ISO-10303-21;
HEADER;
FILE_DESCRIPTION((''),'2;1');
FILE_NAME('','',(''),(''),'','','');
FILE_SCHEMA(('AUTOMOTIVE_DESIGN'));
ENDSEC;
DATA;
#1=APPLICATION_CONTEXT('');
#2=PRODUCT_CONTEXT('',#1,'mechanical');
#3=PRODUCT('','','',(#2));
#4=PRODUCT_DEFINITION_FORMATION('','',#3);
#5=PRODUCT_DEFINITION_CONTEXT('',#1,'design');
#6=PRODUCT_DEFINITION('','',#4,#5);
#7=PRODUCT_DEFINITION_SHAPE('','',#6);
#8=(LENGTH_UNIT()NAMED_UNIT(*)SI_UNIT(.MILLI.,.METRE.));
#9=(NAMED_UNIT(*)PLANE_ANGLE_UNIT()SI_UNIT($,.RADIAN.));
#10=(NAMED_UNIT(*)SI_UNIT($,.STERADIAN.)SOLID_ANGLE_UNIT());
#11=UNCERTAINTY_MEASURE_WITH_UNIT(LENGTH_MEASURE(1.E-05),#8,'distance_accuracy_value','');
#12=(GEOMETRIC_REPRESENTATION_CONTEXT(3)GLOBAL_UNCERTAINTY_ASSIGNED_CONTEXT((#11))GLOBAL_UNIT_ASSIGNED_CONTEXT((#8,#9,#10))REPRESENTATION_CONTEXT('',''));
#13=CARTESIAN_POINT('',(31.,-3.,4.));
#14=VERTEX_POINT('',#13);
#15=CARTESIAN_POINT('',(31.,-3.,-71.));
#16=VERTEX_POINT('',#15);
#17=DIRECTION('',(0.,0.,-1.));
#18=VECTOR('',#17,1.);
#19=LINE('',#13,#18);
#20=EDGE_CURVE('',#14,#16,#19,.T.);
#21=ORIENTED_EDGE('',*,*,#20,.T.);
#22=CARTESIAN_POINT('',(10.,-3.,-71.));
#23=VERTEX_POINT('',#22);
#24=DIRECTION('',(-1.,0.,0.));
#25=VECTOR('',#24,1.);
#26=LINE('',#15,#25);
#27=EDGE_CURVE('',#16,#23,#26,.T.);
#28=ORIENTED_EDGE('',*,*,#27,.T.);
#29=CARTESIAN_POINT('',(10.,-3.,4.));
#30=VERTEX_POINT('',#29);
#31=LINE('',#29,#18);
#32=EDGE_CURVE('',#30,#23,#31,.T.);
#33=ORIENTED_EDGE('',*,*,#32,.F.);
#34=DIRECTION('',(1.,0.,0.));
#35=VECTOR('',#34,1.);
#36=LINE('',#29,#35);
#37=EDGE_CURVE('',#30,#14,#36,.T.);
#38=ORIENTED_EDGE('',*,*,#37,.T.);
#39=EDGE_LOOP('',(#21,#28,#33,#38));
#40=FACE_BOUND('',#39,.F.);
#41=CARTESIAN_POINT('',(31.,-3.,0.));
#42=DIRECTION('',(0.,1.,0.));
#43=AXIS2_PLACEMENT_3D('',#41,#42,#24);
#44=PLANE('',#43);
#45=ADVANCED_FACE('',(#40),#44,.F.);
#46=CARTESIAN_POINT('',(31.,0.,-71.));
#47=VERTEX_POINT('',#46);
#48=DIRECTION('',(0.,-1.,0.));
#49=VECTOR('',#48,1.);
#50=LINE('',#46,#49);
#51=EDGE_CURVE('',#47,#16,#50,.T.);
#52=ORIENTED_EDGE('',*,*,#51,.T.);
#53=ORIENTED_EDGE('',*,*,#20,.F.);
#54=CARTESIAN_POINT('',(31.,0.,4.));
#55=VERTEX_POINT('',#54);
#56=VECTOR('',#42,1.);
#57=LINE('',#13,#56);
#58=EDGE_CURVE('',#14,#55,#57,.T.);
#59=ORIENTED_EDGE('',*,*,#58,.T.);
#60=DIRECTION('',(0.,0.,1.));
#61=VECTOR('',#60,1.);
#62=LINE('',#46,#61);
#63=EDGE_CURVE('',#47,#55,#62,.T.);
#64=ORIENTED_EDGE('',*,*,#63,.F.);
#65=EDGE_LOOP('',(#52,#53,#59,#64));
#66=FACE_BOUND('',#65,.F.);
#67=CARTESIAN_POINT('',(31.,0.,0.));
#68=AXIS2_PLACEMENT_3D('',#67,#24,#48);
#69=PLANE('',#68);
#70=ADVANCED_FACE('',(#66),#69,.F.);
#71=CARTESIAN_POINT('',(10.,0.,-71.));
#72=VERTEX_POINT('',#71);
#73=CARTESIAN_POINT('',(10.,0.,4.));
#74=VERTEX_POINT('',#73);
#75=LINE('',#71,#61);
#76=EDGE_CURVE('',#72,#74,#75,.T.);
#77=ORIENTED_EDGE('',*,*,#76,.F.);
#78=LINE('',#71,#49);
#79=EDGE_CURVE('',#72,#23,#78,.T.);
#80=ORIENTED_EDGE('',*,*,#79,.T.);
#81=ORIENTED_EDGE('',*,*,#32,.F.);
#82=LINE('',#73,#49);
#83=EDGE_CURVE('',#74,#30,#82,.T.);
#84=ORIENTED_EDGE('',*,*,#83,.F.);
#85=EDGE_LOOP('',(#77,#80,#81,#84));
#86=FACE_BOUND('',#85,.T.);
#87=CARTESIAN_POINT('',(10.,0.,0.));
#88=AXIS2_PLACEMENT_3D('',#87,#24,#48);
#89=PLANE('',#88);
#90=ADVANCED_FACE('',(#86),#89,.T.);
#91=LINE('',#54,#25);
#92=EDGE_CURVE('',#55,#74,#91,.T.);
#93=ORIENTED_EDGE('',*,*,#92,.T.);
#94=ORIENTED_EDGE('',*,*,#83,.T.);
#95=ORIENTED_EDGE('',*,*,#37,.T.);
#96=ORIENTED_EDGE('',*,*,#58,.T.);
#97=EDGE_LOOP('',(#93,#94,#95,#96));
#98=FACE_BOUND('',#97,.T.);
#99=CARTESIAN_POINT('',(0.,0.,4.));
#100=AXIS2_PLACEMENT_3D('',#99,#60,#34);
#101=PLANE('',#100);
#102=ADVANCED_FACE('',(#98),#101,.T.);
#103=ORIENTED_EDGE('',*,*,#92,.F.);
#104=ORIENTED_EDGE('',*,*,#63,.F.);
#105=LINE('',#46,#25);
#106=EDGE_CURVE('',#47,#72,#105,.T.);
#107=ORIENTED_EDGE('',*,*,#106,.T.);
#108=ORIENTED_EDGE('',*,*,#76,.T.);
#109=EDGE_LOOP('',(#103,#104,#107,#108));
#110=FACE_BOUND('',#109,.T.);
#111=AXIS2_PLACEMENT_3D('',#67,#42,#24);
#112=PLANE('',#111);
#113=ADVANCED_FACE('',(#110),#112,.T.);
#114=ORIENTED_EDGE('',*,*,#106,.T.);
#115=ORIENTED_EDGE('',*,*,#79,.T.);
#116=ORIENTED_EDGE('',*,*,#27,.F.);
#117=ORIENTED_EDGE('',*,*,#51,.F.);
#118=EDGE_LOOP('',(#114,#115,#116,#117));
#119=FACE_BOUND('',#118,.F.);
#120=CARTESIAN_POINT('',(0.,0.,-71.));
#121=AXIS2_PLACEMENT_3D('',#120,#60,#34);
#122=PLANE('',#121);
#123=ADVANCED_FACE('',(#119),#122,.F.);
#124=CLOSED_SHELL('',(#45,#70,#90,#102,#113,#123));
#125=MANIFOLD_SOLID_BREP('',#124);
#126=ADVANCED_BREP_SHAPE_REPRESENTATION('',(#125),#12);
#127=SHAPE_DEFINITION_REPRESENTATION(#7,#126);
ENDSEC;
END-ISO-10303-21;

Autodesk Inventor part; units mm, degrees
ref_plane "YZ Plane" through (0, 0, 0) normal (1, 0, 0) x (0, 1, 0)
sketch "Sketch1" plane through (0, 0, 0) normal (0, 0, 1) x (1, 0, 0)
  arc A0 (31, 0) -> (31, 20) centre (31, 10) ccw projected
  line L0 (10, 20) -> (31, 20) projected
  arc A1 (10, 20) -> (10, 0) centre (10, 10) ccw projected
  line L1 (31, 0) -> (10, 0) projected
  line L2 (10, 23) -> (31, 23) projected
  arc A2 (31, -3) -> (31, 23) centre (31, 10) ccw
  line L3 (31, -3) -> (10, -3)
  arc A3 (10, 23) -> (10, -3) centre (10, 10) ccw
  line L4 (10, 23) -> (31, 23)
  line L5 (31, 0) -> (31, -3)
  line L6 (10, 0) -> (10, -3)
  point P0 (0, 0)
  dimension "d0" = 3
ref_plane "Work Plane1" through (-41.8096, -51.8081, -71) normal (0, 0, -1) x (-0.6474, 0.7621, 0)
extrude "Extrusion1" add sketch "Sketch1" against normal up to surface (71 mm away) contours L5 L3 L6 L1
sketch "Sketch2" plane through (0, 0, 0) normal (0, 0, 1) x (1, 0, 0)
  line L0 (31, 0) -> (10, 0) projected
  line L1 (10, 0) -> (10, -3) projected
  line L2 (10, -3) -> (31, -3) projected
  line L3 (31, -3) -> (31, 0) projected
  point P0 (0, 0)
ref_plane "Work Plane2" through (-5.989, 33.4943, 4) normal (0, 0, 1) x (0.7621, 0.6474, 0)
extrude "Extrusion2" add sketch "Sketch2" along normal up to surface (4 mm away)
properties part number "soporte bateria parte 3"
